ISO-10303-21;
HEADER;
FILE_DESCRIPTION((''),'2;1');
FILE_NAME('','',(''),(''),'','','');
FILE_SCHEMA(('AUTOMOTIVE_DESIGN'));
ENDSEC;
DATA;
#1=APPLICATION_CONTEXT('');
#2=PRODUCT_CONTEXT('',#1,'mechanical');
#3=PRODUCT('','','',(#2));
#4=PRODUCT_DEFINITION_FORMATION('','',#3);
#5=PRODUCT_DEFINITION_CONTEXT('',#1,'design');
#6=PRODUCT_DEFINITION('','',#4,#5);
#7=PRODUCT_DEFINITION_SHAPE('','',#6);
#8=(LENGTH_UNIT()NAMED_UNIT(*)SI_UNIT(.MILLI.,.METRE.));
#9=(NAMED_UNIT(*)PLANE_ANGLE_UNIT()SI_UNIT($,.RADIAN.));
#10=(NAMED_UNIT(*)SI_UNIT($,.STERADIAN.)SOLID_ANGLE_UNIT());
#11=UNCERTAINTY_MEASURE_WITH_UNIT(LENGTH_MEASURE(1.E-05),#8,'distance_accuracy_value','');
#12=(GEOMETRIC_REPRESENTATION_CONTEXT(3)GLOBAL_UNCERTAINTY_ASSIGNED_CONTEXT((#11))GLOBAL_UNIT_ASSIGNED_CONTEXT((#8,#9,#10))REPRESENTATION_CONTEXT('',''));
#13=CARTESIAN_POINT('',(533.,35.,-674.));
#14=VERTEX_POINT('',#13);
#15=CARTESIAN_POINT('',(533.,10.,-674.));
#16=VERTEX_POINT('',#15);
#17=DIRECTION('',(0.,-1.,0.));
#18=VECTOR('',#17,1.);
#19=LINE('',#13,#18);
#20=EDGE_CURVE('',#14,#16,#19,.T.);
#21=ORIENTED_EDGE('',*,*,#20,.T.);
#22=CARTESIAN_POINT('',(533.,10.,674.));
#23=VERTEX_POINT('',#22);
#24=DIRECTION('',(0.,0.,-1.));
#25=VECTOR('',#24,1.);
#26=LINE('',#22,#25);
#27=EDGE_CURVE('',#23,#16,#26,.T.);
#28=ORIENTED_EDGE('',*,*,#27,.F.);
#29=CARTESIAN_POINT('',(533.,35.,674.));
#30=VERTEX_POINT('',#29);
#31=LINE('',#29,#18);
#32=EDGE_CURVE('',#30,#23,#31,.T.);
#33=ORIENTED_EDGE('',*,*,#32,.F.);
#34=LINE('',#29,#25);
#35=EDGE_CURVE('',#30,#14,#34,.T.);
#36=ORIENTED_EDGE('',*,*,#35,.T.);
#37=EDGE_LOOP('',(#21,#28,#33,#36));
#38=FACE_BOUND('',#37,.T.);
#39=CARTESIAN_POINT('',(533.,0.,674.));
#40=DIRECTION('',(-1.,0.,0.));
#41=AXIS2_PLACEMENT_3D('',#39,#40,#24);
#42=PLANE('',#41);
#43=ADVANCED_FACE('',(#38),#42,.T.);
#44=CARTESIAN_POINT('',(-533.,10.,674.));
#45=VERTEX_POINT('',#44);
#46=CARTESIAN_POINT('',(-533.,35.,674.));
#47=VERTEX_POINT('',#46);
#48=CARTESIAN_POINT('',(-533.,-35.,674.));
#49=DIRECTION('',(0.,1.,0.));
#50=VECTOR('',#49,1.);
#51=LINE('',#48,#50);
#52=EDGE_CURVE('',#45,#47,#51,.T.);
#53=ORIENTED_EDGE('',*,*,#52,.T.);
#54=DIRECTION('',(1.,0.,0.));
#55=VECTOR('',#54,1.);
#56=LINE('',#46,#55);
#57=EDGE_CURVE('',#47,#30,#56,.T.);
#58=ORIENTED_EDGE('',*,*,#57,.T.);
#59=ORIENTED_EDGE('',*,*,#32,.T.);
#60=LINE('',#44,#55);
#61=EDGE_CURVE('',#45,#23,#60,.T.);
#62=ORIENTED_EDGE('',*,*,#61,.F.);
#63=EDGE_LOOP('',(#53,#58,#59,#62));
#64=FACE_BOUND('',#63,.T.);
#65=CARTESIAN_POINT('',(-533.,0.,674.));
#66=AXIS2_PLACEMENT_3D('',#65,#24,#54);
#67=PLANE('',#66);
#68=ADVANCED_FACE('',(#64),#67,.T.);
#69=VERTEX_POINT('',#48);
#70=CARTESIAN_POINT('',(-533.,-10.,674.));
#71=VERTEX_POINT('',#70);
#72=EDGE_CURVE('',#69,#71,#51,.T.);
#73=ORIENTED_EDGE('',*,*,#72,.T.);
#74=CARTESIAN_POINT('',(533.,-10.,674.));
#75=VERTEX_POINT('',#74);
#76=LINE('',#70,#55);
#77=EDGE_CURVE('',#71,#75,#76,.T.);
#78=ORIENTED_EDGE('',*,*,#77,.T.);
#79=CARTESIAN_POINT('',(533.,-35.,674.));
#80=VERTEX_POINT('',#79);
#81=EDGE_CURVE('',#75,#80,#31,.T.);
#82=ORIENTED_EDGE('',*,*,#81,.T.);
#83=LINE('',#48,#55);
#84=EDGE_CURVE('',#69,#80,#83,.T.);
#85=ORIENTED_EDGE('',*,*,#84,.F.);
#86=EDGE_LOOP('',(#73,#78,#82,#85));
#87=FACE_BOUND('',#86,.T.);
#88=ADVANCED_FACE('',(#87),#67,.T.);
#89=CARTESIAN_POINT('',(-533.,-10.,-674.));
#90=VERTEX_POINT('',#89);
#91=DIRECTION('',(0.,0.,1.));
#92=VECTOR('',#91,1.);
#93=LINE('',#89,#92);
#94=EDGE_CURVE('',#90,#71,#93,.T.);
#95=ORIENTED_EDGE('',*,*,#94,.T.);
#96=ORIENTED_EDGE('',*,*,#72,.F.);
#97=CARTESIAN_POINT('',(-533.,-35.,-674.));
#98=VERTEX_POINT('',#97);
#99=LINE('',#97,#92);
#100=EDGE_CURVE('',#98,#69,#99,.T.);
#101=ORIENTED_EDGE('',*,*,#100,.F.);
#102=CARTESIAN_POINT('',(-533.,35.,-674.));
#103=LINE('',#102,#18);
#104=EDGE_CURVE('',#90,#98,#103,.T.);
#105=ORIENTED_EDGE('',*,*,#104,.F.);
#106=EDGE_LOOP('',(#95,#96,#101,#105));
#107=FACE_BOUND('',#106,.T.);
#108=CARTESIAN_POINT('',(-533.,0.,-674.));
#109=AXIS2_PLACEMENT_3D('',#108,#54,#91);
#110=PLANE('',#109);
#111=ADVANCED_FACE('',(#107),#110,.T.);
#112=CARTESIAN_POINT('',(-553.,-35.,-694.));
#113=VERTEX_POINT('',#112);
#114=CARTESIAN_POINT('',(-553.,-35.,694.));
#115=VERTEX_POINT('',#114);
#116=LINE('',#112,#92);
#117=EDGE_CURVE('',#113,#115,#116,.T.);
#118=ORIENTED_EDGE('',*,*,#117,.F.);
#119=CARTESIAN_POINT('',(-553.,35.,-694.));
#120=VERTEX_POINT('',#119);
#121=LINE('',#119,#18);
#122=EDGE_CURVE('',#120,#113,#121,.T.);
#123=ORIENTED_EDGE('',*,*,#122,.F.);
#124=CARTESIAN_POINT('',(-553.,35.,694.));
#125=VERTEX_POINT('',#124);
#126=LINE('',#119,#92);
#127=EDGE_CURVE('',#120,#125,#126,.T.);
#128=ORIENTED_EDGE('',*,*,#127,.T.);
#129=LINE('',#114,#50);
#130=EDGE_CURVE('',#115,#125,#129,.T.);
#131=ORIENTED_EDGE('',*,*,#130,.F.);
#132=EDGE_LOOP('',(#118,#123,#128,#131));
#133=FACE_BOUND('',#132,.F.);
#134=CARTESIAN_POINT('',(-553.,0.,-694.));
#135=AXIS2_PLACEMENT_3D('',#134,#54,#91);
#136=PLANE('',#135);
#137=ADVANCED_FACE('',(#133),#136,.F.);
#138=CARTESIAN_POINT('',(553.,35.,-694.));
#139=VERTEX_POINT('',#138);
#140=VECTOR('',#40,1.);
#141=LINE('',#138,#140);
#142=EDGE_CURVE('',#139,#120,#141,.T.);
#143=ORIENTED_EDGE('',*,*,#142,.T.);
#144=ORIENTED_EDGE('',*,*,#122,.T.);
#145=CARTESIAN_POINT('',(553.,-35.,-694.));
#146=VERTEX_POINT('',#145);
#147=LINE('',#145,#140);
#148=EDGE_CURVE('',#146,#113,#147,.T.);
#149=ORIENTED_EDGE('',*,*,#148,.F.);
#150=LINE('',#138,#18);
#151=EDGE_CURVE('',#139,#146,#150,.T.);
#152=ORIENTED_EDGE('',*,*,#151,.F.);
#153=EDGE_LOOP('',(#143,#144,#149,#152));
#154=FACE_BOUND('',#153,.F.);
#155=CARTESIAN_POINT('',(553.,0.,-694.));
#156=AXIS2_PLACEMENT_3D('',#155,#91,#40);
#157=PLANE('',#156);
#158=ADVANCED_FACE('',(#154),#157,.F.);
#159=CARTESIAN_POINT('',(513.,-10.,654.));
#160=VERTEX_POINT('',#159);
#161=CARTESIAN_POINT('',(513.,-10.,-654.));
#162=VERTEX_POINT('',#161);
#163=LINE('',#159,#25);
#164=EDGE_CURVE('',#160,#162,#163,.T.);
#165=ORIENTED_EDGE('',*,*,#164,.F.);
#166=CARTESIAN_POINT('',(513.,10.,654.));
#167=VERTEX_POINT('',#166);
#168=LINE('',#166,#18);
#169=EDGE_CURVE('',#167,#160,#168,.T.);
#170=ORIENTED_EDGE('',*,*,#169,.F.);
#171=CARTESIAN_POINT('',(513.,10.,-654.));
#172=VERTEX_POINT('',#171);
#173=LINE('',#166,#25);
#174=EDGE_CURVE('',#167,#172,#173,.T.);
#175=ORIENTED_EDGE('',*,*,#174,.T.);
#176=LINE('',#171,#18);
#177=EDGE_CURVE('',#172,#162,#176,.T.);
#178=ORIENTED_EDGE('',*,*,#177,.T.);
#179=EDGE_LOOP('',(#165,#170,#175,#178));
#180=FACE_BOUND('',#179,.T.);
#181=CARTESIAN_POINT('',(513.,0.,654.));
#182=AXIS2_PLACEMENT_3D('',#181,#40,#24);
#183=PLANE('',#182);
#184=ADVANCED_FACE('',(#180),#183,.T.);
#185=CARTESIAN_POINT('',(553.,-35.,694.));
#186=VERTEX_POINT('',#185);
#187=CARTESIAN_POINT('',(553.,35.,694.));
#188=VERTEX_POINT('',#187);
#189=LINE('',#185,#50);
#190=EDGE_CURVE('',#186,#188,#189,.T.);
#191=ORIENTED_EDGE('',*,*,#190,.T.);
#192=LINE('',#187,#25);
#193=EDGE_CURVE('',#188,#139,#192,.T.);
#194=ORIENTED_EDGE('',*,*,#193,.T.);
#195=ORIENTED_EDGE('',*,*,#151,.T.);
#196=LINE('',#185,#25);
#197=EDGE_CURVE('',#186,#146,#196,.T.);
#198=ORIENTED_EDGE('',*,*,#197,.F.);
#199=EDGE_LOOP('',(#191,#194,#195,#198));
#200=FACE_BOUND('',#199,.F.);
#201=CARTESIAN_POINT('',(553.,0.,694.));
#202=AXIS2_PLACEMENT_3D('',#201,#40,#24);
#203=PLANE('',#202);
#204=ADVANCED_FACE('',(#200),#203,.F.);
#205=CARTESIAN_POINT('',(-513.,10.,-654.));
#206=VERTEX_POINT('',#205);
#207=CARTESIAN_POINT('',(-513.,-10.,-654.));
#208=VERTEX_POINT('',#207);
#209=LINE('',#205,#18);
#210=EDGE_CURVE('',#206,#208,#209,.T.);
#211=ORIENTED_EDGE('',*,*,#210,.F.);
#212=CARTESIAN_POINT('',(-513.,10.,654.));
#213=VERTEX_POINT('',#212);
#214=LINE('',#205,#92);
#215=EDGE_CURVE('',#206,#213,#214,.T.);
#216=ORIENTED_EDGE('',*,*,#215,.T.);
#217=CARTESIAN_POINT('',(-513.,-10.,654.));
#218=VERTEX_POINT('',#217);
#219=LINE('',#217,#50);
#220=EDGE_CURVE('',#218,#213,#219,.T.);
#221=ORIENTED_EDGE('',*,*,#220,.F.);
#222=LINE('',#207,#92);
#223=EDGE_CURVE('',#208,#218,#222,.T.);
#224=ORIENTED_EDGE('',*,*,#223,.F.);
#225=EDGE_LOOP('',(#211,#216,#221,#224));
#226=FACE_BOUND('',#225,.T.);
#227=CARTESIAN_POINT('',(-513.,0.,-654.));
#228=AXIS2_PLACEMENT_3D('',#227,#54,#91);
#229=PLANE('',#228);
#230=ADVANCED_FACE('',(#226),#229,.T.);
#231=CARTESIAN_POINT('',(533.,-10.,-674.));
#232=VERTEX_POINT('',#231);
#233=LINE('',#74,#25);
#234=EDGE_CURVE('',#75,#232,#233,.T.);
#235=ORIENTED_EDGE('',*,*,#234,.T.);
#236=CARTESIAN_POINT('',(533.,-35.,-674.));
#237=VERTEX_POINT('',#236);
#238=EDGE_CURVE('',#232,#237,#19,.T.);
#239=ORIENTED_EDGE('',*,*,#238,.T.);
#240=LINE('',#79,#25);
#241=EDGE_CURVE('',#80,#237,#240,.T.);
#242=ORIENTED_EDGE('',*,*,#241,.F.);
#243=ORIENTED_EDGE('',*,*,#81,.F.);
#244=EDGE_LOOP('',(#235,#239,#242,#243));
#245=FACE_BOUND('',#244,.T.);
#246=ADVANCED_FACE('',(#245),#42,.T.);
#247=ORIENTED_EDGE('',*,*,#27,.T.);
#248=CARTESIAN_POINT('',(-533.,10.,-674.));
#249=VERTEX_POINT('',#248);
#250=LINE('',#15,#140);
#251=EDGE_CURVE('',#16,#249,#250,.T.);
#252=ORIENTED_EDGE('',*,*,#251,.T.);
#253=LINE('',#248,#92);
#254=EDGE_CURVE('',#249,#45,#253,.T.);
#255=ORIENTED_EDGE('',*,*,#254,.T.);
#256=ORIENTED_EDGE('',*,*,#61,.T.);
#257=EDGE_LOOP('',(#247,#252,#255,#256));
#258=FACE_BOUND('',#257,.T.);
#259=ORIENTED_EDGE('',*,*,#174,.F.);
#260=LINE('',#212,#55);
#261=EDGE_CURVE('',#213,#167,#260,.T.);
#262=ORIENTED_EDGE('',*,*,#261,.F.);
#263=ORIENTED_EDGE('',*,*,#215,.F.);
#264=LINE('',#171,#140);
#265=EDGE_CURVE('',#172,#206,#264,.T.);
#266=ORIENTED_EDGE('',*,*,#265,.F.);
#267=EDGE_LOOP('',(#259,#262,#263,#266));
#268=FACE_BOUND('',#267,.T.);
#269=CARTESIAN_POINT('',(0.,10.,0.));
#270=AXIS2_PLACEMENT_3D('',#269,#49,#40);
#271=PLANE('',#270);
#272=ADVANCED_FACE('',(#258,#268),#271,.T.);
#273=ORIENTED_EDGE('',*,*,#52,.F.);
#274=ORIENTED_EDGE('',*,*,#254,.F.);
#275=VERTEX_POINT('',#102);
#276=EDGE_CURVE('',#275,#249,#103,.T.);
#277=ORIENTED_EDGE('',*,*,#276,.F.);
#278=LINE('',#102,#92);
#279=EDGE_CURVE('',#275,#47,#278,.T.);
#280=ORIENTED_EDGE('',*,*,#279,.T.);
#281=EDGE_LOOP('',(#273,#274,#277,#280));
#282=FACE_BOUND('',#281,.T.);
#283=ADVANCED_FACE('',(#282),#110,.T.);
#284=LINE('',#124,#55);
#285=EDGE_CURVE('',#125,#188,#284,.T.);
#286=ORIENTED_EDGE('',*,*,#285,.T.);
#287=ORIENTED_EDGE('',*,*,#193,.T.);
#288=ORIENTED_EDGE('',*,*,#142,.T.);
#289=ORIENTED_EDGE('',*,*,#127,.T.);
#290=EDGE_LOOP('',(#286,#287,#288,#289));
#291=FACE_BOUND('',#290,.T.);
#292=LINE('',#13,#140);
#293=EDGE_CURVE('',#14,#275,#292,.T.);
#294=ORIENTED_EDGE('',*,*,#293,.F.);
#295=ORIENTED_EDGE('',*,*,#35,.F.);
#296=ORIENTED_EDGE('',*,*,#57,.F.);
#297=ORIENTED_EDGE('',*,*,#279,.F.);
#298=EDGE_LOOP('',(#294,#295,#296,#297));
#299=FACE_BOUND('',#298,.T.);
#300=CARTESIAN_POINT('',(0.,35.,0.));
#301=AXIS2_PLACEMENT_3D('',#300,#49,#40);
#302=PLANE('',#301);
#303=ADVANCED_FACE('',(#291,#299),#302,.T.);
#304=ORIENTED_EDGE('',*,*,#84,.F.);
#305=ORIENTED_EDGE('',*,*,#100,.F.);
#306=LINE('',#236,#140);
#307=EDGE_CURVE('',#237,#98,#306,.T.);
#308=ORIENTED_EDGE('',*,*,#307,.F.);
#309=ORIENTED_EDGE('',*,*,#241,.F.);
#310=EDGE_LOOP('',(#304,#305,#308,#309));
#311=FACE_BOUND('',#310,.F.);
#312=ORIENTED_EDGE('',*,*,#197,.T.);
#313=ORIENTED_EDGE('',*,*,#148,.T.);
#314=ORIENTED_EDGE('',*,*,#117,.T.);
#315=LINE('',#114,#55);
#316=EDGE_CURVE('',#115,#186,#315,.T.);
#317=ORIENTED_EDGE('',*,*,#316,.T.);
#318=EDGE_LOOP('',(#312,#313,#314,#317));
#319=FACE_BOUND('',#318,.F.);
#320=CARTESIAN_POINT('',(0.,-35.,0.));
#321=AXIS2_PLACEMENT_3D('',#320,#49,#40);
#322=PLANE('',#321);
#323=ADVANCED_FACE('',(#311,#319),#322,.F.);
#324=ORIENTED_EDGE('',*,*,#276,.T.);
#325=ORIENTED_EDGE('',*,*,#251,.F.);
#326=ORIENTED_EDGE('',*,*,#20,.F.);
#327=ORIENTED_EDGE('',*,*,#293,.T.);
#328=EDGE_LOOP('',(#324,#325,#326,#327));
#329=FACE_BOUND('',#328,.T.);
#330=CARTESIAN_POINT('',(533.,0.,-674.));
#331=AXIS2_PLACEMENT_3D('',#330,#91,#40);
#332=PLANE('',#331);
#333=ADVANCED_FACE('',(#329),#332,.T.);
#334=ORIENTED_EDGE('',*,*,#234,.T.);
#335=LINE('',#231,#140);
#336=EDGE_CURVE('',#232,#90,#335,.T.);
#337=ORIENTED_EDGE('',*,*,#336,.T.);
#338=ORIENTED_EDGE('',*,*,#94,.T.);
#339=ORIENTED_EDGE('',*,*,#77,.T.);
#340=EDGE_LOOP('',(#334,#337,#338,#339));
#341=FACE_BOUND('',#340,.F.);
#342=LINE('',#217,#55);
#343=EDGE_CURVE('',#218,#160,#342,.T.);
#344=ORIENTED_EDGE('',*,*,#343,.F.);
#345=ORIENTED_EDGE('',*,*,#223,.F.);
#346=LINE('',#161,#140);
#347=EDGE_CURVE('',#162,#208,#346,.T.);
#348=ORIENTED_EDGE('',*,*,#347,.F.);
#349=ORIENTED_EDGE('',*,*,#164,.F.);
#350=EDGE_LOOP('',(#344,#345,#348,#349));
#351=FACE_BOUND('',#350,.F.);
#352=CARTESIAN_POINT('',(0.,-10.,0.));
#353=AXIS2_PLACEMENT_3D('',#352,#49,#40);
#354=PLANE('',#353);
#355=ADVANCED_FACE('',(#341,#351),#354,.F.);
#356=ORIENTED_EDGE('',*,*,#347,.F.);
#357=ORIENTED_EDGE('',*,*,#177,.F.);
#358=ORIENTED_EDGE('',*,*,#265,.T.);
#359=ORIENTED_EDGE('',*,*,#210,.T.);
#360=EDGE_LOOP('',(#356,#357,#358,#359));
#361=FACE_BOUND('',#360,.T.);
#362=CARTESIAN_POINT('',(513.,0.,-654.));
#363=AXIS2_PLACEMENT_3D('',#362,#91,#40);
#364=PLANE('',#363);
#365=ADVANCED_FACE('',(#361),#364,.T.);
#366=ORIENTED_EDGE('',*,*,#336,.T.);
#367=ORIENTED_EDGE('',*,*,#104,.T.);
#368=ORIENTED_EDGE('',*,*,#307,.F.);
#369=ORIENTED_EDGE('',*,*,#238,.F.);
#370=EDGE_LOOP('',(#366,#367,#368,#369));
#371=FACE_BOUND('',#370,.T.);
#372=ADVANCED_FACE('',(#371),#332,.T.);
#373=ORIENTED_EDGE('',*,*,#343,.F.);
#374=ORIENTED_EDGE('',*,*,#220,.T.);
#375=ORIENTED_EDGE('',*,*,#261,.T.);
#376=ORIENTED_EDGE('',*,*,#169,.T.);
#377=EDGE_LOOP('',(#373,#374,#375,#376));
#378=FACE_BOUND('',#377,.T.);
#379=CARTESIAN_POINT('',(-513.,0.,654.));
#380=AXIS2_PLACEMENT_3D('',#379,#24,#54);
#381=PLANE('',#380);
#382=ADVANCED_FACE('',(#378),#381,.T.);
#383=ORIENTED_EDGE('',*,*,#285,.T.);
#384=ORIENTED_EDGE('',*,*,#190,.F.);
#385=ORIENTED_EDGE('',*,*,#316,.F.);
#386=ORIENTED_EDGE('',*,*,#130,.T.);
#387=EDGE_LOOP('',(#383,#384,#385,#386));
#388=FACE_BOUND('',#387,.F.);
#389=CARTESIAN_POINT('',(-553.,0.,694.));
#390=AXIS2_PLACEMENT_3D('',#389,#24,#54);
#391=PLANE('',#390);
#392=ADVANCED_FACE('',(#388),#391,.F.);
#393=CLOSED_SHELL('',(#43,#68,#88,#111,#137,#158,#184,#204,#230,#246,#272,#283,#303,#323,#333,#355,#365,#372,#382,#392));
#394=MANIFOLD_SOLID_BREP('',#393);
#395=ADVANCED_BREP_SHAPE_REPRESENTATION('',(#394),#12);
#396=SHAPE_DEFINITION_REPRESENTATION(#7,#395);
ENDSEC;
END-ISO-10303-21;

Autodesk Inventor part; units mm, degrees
ref_plane "YZ Plane" through (0, 0, 0) normal (1, 0, 0) x (0, 1, 0)
ref_plane "XZ Plane" through (0, 0, 0) normal (0, 1, 0) x (-1, 0, 0)
ref_plane "XY Plane" through (0, 0, 0) normal (0, 0, 1) x (1, 0, 0)
sketch "Sketch1" plane through (0, 0, 0) normal (0, 1, 0) x (-1, 0, 0)
  line L0 (533, 674) -> (-533, 674)
  line L1 (-533, 674) -> (-533, -674)
  line L2 (-533, -674) -> (533, -674)
  line L3 (533, -674) -> (533, 674)
  line L4 (533, 674) -> (-533, -674) construction
  line L5 (-533, 674) -> (533, -674) construction
  line L6 (553, 694) -> (-553, 694)
  line L7 (-553, 694) -> (-553, -694)
  line L8 (-553, -694) -> (553, -694)
  line L9 (553, -694) -> (553, 694)
  line L10 (553, 694) -> (-553, -694) construction
  line L11 (-553, 694) -> (553, -694) construction
  line L12 (513, 654) -> (-513, 654)
  line L13 (-513, 654) -> (-513, -654)
  line L14 (-513, -654) -> (513, -654)
  line L15 (513, -654) -> (513, 654)
  line L16 (513, 654) -> (-513, -654) construction
  line L17 (-513, 654) -> (513, -654) construction
  point P0 (0, 0)
  dimension "d0" = 1066
  dimension "d1" = 1348
  dimension "d2" = 1106
  dimension "d3" = 1388
  dimension "d4" = 1026
  dimension "d5" = 1308
extrude "Extrusion2" add sketch "Sketch1" along normal mid plane 20 contours L3 L2 L1 L0
extrude "Extrusion3" add sketch "Sketch1" along normal mid plane 70 contours L9 L8 L7 L6
properties part number "solar panels holder"
